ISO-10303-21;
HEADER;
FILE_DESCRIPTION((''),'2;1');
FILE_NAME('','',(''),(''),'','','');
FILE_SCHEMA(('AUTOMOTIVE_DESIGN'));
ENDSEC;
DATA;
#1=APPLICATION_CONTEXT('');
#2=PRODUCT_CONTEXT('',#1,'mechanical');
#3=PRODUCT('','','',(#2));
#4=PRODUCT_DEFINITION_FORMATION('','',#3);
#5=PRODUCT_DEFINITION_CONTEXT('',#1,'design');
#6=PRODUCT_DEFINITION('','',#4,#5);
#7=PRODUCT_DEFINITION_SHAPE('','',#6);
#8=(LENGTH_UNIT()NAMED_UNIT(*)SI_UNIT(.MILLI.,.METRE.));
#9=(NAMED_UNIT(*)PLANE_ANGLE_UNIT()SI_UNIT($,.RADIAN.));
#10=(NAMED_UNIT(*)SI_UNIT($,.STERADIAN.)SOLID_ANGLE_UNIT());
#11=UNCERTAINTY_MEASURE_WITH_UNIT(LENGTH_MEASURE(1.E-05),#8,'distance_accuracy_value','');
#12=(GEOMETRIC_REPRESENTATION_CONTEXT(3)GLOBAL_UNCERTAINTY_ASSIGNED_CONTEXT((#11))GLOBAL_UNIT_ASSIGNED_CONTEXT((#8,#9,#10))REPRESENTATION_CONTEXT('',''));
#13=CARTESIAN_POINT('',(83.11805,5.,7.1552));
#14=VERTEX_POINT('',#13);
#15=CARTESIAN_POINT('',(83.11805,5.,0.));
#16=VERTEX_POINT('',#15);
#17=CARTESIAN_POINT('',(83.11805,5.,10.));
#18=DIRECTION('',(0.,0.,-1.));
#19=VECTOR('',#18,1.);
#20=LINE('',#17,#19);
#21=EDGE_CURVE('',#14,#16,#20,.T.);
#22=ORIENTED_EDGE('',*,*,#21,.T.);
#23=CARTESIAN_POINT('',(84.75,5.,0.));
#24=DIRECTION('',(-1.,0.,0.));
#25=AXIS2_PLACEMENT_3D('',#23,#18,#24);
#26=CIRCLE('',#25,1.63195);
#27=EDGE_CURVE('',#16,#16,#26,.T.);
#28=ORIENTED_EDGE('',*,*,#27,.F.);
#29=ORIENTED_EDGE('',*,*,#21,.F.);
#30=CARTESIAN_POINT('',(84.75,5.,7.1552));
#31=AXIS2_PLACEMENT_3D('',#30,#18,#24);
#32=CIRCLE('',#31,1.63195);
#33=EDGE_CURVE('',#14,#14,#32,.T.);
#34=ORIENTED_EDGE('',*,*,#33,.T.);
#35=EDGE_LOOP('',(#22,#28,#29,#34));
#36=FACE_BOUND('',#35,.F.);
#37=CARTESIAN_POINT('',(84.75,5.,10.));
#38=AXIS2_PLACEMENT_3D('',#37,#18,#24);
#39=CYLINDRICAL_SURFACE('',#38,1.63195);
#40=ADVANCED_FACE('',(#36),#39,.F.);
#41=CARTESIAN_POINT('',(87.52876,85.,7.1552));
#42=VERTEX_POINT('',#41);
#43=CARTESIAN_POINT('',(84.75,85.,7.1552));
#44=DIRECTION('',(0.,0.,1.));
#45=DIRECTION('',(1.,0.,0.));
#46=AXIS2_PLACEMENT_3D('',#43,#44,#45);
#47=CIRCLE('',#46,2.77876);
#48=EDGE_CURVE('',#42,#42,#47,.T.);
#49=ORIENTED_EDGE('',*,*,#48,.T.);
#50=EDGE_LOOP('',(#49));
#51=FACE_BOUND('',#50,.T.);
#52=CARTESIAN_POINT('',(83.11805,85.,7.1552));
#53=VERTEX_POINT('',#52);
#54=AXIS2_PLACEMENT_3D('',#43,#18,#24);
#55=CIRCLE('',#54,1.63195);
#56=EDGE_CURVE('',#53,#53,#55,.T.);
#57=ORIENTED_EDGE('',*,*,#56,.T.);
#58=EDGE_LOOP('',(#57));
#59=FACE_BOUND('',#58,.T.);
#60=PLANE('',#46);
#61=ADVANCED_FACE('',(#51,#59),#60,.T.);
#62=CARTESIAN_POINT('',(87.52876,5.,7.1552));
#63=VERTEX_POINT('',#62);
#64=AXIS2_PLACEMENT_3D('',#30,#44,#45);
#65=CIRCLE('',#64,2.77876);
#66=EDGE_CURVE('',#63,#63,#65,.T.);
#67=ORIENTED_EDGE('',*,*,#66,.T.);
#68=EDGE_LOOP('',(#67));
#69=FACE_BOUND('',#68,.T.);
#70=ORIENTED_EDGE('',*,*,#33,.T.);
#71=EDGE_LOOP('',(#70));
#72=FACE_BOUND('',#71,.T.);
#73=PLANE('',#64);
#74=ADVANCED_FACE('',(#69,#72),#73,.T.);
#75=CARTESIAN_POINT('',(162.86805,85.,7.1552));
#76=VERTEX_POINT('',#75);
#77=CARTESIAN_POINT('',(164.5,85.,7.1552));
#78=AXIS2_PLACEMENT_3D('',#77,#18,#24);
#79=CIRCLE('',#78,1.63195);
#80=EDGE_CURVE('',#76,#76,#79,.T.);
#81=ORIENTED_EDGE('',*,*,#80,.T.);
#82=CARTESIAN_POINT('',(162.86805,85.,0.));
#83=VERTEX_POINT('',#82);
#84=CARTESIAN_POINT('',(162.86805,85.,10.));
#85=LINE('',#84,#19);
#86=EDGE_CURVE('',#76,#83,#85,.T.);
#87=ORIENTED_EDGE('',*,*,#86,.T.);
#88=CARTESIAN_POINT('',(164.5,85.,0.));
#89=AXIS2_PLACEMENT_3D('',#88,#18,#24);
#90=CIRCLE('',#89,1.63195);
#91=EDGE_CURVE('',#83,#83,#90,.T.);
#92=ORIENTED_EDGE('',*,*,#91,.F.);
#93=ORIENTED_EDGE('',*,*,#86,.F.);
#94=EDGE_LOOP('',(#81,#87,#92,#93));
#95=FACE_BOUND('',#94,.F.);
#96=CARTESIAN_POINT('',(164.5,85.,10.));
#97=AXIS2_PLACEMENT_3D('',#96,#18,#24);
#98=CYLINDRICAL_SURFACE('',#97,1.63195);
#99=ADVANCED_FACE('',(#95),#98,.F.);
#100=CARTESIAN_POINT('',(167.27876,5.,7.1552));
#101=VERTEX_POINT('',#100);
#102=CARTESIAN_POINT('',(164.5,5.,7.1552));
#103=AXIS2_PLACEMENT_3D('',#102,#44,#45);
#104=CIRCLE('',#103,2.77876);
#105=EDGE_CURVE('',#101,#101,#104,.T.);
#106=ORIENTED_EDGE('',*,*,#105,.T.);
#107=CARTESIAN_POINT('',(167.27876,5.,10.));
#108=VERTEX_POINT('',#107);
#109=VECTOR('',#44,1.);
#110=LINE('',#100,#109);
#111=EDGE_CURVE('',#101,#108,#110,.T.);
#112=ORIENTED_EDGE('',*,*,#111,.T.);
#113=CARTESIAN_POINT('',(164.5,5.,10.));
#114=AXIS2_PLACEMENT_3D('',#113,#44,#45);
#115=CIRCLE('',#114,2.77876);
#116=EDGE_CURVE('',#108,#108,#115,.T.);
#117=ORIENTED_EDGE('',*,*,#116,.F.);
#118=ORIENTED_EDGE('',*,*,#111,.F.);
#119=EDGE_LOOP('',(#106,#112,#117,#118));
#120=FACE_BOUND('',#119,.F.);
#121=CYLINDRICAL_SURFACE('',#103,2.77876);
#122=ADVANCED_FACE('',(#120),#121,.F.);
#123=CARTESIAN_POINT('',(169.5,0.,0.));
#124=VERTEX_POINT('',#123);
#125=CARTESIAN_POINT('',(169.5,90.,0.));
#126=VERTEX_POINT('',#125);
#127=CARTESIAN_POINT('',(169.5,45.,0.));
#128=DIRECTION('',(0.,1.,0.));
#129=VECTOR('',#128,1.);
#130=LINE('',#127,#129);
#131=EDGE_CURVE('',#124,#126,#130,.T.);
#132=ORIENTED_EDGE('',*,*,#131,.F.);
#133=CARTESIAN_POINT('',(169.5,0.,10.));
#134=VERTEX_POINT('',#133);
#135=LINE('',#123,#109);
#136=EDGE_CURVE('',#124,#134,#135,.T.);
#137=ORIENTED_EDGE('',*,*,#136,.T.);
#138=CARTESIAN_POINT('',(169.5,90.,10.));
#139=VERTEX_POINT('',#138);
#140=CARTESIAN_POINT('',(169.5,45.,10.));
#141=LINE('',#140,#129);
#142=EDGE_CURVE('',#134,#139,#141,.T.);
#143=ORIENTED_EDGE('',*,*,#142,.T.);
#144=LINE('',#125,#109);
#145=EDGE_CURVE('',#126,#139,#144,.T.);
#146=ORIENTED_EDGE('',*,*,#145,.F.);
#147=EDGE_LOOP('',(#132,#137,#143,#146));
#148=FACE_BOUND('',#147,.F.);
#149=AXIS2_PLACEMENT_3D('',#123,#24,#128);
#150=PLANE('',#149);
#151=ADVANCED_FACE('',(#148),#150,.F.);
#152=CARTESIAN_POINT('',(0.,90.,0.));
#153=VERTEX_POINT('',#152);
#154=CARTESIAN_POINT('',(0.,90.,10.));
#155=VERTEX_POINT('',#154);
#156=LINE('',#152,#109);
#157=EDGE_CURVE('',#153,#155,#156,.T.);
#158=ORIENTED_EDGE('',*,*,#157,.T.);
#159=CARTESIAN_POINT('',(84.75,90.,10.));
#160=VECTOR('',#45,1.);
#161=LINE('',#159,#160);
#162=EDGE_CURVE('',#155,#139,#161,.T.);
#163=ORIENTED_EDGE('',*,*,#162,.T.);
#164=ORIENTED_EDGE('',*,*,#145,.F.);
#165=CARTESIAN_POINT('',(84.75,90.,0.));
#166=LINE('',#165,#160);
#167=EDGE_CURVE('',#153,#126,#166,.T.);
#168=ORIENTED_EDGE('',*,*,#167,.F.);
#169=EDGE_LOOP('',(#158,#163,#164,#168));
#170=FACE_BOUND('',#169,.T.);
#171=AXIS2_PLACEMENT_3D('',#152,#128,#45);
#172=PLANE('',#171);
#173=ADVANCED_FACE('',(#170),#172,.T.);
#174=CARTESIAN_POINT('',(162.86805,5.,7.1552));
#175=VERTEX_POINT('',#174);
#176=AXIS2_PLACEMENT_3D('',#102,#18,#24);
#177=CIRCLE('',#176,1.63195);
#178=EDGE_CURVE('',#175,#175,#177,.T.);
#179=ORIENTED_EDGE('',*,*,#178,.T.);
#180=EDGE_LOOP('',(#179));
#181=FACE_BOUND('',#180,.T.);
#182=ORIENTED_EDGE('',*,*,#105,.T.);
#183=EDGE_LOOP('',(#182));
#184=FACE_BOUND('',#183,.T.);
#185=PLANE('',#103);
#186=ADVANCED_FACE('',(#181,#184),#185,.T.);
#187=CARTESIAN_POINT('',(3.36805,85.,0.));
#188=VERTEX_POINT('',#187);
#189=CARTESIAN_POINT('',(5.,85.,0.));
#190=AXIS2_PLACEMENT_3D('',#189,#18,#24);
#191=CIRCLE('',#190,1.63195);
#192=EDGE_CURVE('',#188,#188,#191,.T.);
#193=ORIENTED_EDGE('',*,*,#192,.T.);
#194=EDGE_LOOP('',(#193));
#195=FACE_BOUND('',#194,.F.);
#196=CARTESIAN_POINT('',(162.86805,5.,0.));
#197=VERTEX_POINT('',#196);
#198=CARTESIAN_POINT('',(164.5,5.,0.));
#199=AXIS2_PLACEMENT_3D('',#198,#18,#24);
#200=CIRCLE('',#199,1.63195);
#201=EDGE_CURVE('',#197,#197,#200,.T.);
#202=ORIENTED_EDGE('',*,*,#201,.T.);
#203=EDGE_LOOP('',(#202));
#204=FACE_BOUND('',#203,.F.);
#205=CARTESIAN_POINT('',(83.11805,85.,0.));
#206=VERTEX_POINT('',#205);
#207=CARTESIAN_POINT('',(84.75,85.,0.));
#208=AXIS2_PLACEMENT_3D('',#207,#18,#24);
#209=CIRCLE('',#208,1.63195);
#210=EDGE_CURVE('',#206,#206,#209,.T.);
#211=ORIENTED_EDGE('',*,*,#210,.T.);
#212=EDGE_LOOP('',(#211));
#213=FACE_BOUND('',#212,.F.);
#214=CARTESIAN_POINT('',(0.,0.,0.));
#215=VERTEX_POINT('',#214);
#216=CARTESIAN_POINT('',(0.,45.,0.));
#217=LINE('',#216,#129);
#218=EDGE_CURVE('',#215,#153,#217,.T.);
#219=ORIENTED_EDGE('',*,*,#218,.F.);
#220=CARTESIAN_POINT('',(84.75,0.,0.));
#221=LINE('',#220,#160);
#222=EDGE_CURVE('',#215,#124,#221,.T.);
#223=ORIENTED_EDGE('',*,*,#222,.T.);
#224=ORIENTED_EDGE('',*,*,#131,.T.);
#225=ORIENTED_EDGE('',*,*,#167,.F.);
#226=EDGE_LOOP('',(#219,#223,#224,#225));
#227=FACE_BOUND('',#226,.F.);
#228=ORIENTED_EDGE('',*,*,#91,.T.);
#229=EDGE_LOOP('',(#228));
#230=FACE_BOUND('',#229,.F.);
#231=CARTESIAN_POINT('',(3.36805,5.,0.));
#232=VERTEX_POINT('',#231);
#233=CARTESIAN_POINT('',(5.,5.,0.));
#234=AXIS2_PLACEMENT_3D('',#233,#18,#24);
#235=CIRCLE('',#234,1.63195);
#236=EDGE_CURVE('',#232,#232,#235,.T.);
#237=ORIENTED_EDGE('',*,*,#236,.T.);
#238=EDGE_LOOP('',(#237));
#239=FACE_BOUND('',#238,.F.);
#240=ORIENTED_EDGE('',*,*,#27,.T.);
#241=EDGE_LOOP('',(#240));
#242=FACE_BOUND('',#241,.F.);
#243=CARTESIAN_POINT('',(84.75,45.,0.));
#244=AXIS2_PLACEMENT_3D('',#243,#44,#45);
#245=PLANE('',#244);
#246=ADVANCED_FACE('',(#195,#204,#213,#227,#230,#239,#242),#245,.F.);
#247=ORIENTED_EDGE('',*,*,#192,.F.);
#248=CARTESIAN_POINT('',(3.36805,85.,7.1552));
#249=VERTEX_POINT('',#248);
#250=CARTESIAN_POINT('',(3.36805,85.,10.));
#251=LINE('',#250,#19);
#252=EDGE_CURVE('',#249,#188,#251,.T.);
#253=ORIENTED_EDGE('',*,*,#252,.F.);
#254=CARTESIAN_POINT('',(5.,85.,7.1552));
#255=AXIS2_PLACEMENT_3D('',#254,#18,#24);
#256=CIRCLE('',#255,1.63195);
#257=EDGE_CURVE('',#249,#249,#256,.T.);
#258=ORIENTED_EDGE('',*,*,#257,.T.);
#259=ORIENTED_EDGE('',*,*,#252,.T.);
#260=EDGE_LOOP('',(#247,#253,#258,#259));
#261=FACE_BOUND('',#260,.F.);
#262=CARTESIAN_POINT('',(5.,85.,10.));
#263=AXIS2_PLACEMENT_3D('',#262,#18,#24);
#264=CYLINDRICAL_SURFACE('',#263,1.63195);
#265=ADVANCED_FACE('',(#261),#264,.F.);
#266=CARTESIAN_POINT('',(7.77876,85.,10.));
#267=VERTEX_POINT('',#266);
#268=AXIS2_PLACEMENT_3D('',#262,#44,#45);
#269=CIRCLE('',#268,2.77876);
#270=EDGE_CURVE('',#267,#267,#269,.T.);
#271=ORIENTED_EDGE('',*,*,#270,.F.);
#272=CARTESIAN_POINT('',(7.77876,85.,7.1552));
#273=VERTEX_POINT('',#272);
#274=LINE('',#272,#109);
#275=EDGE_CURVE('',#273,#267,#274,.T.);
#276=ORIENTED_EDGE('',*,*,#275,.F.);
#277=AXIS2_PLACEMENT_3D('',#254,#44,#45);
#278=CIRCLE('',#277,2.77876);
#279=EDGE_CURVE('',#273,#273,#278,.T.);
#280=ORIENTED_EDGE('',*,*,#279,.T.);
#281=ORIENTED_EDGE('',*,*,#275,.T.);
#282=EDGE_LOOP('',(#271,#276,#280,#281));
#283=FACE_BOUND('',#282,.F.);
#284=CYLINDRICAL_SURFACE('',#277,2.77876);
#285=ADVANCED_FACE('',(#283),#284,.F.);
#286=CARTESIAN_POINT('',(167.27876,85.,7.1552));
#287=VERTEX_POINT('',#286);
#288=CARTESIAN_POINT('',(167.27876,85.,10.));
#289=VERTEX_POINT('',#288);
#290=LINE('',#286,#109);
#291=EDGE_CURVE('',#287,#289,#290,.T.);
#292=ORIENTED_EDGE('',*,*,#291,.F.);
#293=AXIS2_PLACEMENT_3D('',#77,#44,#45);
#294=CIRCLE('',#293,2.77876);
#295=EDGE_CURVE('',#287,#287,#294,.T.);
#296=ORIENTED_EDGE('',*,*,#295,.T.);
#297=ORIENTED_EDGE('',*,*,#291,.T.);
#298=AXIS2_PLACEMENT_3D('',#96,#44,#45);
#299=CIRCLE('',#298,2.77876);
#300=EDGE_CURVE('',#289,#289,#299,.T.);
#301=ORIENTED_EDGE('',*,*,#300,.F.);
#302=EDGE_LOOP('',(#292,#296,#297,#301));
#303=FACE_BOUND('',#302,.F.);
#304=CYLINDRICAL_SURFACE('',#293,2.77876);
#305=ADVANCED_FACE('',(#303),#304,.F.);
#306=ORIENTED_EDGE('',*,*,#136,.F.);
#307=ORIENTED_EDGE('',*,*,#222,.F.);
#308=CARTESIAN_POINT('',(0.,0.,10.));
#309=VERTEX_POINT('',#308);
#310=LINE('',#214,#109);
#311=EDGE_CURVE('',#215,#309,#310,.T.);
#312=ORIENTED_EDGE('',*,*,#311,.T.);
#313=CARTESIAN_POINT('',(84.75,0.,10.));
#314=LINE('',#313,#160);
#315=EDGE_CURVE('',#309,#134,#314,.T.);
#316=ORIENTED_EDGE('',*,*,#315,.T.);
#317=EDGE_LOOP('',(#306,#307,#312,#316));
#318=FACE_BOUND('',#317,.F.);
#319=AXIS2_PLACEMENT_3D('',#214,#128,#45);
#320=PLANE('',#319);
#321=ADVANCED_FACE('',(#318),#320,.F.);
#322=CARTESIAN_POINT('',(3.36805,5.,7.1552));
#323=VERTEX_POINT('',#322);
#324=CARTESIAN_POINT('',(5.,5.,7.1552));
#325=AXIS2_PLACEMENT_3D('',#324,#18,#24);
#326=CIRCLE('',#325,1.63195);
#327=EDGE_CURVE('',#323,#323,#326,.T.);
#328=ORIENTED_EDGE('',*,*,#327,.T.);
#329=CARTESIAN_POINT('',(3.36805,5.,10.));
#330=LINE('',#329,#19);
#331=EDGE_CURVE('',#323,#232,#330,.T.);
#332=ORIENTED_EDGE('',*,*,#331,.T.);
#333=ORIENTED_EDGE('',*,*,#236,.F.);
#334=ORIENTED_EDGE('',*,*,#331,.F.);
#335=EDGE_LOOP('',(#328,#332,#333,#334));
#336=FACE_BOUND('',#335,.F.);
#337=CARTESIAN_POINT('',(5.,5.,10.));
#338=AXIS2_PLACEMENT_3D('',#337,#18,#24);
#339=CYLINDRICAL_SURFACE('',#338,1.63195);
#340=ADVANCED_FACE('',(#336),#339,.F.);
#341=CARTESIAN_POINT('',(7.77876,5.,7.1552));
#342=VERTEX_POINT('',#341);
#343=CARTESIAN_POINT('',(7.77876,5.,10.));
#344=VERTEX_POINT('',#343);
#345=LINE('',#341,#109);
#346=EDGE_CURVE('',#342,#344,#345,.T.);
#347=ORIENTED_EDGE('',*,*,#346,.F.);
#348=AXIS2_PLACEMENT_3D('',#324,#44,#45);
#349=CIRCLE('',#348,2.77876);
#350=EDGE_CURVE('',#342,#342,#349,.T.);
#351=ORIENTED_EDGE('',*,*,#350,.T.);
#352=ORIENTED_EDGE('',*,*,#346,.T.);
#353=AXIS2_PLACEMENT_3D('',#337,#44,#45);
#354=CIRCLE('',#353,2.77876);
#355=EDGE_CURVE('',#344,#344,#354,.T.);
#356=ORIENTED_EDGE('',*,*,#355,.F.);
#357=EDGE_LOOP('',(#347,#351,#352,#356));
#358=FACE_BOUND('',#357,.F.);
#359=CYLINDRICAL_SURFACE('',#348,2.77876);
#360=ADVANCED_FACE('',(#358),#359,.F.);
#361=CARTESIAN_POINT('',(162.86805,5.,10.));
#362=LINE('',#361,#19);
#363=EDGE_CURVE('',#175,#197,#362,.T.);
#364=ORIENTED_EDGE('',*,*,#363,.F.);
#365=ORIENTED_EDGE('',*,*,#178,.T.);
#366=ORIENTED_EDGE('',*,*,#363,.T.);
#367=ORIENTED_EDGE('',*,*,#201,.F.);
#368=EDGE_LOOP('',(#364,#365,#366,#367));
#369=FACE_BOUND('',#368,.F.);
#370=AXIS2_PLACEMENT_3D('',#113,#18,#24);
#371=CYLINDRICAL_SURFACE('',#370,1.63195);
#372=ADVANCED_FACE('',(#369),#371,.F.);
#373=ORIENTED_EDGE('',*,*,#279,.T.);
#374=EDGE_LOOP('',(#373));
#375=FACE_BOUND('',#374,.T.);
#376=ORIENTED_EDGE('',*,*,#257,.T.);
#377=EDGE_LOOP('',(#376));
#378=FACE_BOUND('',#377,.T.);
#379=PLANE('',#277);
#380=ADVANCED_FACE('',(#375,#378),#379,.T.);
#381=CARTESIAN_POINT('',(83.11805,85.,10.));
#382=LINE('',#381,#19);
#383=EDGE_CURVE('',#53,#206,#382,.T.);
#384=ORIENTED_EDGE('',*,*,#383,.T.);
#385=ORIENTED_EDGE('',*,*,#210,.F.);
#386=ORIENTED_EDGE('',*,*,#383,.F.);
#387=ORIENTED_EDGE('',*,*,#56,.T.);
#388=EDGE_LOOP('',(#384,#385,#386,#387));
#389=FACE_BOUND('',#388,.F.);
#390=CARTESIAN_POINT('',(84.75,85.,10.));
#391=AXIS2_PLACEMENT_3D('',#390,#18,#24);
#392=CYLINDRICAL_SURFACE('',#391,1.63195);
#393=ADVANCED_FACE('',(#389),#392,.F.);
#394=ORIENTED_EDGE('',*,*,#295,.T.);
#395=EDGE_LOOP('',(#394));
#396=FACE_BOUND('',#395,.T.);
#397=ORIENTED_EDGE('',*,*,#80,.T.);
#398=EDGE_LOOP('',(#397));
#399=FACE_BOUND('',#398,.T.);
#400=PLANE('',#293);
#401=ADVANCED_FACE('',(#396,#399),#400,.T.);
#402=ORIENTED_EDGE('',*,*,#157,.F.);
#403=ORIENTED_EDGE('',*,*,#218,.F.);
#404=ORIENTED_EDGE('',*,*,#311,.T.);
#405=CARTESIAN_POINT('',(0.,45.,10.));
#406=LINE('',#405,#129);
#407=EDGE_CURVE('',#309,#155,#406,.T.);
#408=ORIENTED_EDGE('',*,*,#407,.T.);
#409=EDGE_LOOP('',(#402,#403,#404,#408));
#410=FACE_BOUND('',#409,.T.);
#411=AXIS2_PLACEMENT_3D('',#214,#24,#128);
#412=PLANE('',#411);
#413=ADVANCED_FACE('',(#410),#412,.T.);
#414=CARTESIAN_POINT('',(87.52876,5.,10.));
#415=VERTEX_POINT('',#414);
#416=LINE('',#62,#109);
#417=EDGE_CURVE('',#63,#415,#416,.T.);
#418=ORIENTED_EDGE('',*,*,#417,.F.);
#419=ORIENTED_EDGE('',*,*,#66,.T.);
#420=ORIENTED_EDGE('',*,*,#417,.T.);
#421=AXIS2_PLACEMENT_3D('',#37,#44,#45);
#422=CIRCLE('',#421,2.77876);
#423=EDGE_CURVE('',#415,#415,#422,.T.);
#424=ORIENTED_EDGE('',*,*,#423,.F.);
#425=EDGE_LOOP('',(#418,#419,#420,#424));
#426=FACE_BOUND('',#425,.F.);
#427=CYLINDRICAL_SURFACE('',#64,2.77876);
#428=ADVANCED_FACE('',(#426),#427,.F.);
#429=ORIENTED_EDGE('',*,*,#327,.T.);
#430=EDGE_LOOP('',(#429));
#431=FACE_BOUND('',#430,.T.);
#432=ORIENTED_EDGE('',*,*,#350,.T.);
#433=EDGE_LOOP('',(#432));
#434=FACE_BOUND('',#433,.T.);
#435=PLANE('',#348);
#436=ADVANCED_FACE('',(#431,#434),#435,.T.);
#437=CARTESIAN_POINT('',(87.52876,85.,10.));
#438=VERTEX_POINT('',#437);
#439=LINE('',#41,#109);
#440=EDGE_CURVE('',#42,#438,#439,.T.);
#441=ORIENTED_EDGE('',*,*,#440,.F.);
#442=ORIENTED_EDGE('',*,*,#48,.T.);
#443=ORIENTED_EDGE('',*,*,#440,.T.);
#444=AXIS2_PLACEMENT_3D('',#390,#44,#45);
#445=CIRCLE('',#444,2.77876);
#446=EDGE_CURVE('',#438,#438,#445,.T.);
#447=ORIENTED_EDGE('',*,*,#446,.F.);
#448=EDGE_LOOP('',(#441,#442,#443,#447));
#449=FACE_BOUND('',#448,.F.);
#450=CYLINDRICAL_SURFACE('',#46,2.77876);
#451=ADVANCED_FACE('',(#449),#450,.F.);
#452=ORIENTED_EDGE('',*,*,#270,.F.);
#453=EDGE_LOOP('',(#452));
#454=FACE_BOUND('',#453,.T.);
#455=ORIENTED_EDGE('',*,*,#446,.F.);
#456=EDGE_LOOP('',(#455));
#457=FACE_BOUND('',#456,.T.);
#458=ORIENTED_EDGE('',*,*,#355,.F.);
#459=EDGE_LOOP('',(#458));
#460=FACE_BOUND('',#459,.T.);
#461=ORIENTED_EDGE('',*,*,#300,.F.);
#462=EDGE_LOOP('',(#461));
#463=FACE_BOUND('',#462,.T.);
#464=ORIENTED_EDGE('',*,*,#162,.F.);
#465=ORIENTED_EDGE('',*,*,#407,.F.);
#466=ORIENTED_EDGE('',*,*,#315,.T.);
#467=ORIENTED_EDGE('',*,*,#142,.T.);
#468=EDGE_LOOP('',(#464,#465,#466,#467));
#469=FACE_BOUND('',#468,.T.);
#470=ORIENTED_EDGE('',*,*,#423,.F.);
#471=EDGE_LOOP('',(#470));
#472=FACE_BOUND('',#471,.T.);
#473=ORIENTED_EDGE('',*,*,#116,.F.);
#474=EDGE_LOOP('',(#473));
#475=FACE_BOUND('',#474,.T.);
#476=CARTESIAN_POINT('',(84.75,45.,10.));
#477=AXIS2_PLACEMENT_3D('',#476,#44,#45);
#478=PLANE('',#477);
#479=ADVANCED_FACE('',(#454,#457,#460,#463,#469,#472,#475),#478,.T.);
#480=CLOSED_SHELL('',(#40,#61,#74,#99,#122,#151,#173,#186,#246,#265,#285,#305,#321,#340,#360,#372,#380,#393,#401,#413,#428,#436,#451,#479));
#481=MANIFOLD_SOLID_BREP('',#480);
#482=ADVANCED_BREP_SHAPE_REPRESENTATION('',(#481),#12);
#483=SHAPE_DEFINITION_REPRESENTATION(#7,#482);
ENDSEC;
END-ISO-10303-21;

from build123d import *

# Parameters (mm, degrees)
SKETCH1_W                                      = 169.5
SKETCH1_H                                      = 90
BOSS_EXTRUDE1_DEPTH                            = 10
CBORE_FOR_4_SOCKET_HEAD_CAP_SCREW1_D           = 3.2639
CBORE_FOR_4_SOCKET_HEAD_CAP_SCREW1_CBORE_D     = 5.55752
CBORE_FOR_4_SOCKET_HEAD_CAP_SCREW1_CBORE_DEPTH = 2.8448


with BuildPart() as part:
    # Sketch1 → Boss-Extrude1 (new body)
    with BuildSketch(Plane.XY):
        with Locations((84.75, 45)):
            Rectangle(SKETCH1_W, SKETCH1_H)
    extrude(amount=BOSS_EXTRUDE1_DEPTH)

    # CBORE for #4 Socket Head Cap Screw1 (through all)
    with Locations(Plane.XY.offset(10)):
        with Locations((5, 85), (164.5, 85), (164.5, 5), (5, 5), (84.75, 5), (84.75, 85)):
            CounterBoreHole(CBORE_FOR_4_SOCKET_HEAD_CAP_SCREW1_D / 2, CBORE_FOR_4_SOCKET_HEAD_CAP_SCREW1_CBORE_D / 2, CBORE_FOR_4_SOCKET_HEAD_CAP_SCREW1_CBORE_DEPTH)


solid = part.part
